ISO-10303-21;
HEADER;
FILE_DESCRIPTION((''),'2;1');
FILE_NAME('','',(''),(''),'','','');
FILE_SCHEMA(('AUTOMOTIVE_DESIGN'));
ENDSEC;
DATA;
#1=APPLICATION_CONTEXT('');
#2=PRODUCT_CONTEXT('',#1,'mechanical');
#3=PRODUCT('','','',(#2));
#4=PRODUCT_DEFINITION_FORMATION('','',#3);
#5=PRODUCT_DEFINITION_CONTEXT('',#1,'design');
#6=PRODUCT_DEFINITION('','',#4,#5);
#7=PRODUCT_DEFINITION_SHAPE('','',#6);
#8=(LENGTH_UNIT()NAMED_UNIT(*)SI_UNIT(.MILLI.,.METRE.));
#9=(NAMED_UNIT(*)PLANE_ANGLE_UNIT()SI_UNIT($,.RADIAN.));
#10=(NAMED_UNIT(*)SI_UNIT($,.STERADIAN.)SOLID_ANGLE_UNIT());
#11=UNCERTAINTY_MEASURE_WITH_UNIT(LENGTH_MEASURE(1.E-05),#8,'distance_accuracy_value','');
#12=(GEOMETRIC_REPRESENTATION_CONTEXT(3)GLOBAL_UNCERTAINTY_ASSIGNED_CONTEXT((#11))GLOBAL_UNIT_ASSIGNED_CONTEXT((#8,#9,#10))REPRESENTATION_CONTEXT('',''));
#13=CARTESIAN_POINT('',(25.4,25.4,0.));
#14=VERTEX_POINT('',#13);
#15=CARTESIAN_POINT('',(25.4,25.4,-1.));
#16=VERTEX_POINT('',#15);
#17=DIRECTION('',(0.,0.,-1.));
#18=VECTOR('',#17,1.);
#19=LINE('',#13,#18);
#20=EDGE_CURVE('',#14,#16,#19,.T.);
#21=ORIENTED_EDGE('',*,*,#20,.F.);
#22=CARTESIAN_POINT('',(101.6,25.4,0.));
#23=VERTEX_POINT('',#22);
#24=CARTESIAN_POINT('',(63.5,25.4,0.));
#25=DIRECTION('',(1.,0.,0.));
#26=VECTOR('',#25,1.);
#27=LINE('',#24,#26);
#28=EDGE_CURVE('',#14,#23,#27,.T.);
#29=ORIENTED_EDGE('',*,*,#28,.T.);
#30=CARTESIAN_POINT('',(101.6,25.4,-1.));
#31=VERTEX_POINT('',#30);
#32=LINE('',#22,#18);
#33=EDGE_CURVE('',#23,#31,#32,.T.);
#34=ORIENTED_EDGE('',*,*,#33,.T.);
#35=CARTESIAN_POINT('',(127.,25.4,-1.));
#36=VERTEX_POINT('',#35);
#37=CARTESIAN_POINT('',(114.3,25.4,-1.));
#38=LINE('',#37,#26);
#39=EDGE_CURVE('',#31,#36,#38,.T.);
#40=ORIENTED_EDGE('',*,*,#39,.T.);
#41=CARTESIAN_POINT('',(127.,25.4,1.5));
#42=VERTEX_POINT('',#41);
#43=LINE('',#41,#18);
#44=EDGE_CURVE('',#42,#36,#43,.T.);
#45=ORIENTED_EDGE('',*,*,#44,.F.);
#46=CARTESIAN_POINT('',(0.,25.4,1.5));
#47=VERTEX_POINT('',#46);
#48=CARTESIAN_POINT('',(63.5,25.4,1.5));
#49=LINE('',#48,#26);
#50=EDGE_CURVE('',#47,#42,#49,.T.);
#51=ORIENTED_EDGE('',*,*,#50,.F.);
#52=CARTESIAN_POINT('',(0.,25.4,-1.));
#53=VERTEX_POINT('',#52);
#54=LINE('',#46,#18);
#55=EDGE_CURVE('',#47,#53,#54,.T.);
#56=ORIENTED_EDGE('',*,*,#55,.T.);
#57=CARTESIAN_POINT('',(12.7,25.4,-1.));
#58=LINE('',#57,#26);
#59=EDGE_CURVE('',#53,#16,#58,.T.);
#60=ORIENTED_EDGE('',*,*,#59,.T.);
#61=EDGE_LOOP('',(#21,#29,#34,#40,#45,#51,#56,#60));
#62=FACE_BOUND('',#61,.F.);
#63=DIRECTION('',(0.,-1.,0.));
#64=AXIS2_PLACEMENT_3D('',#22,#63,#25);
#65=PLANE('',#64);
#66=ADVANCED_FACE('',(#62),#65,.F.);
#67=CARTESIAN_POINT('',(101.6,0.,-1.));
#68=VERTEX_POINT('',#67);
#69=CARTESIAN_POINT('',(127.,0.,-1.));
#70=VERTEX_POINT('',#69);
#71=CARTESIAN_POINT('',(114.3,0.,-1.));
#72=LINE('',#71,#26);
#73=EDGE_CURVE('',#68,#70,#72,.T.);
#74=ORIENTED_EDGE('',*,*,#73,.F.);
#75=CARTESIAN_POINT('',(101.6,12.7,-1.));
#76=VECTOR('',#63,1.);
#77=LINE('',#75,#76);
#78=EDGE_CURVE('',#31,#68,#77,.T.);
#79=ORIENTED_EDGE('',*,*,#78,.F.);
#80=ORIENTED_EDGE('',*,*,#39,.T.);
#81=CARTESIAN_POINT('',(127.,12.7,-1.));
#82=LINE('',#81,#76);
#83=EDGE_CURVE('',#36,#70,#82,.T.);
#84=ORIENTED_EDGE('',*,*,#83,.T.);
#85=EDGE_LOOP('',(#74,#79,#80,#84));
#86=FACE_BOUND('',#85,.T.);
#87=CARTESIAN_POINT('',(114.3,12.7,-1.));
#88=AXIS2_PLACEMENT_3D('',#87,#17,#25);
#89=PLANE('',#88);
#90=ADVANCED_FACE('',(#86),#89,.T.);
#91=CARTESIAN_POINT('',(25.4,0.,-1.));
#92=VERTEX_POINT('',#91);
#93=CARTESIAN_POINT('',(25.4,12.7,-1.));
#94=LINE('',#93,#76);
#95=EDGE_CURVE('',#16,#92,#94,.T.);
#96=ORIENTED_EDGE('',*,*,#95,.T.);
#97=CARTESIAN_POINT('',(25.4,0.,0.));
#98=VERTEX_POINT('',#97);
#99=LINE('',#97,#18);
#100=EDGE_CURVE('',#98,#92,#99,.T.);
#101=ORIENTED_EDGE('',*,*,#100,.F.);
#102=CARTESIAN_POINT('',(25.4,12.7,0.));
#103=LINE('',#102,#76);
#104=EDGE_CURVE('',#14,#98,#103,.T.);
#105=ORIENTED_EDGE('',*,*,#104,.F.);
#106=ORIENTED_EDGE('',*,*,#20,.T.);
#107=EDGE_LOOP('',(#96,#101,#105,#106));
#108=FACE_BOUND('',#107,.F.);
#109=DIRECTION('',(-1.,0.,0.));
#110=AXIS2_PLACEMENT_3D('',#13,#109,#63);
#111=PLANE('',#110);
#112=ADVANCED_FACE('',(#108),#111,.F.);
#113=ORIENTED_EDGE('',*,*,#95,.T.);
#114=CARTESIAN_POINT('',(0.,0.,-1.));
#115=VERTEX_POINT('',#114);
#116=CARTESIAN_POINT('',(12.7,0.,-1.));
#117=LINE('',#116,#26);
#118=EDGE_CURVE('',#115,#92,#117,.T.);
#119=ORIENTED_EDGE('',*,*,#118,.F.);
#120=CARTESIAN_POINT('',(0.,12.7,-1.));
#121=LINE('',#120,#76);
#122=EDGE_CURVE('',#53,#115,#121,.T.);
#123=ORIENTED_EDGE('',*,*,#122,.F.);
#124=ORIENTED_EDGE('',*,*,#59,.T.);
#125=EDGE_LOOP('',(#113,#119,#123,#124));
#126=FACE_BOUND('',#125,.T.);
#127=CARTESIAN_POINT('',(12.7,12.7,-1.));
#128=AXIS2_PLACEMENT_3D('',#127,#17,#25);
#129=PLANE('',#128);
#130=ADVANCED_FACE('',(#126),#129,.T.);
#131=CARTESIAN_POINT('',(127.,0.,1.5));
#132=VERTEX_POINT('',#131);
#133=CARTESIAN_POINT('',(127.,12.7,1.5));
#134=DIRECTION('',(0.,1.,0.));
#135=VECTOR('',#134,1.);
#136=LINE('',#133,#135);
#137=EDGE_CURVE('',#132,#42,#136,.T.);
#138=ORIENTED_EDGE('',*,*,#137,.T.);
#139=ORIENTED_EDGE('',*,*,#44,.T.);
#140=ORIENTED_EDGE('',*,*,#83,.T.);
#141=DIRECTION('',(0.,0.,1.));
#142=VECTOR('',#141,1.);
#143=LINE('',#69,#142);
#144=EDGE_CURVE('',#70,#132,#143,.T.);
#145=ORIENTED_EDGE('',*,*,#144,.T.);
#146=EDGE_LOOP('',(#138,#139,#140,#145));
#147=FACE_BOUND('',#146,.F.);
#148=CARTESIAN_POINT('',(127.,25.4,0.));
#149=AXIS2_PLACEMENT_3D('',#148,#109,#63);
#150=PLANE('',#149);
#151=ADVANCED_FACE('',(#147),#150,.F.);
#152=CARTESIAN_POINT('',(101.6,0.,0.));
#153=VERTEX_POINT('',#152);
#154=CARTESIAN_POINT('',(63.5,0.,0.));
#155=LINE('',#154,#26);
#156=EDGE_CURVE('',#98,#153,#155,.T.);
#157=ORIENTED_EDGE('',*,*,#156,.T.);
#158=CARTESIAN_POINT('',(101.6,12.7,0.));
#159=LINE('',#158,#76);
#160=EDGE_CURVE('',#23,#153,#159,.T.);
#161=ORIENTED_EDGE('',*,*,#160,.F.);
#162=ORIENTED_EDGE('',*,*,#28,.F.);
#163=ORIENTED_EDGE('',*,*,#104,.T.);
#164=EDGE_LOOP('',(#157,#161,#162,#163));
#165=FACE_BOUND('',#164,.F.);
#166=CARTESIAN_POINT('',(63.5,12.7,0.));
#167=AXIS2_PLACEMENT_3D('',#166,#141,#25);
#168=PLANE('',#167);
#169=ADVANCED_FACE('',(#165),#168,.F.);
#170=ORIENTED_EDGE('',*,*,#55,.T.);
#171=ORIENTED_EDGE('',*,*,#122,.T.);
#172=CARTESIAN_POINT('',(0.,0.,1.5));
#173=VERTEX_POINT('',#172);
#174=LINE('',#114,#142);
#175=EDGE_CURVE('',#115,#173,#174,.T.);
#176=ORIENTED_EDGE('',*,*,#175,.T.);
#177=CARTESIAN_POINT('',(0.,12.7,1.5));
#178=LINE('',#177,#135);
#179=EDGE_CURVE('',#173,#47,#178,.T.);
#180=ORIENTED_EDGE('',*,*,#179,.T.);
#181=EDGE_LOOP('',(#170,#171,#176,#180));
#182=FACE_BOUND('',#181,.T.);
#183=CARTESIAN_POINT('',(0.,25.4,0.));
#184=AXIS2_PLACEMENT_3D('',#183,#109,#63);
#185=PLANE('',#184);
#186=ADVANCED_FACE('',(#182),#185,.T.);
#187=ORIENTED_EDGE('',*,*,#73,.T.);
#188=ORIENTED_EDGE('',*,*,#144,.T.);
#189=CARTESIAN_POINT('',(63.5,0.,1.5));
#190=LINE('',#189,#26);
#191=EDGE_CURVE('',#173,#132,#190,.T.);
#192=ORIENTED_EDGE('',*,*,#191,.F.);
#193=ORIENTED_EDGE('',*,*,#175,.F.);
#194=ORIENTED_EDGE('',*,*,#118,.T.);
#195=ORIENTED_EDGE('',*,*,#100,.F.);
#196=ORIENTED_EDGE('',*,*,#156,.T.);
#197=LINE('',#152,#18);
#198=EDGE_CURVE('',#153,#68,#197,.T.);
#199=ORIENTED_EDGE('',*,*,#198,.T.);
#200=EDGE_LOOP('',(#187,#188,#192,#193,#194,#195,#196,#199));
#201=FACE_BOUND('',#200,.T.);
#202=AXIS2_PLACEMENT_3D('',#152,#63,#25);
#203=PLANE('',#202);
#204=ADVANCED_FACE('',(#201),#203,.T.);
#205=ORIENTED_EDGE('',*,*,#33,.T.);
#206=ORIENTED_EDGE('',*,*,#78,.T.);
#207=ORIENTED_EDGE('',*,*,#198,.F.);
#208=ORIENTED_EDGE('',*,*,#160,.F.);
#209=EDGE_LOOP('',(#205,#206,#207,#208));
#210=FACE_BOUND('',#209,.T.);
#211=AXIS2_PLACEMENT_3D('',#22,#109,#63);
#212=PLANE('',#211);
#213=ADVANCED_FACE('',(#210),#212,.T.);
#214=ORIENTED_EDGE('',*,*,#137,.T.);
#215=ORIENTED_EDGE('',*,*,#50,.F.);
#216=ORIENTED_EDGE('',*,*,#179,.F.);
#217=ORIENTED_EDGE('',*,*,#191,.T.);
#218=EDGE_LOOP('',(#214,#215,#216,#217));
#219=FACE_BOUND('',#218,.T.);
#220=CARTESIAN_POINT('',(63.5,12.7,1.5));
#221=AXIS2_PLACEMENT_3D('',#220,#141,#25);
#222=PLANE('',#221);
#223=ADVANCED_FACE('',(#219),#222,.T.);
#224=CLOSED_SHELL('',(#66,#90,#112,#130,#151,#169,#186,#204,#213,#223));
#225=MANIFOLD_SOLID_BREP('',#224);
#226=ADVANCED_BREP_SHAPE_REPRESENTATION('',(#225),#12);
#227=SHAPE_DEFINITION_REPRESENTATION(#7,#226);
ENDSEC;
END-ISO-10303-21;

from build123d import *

# Parameters (mm, degrees)
F0_W     = 127
F0_H     = 25.4
F1_DEPTH = 1.5
F2_W     = 25.4
F2_H     = 25.4
F3_DEPTH = 1
F4_W     = 25.4
F4_H     = 25.4
F5_DEPTH = 1


with BuildPart() as f1:
    # F0 (on Top) → F1 (new body)
    with BuildSketch(Plane.XY):
        with Locations((63.5, 12.7)):
            Rectangle(F0_W, F0_H)
    extrude(amount=F1_DEPTH)

    # F2 (on face) → F3 (join)
    with BuildSketch(Plane(origin=(0, 0, 0), x_dir=(1, 0, 0), z_dir=(0, 0, -1))):
        with Locations((12.7, -12.7)):
            Rectangle(F2_W, F2_H)
    extrude(amount=F3_DEPTH)

    # F4 (on face) → F5 (join)
    with BuildSketch(Plane(origin=(0, 0, 0), x_dir=(1, 0, 0), z_dir=(0, 0, -1))):
        with Locations((114.3, -12.7)):
            Rectangle(F4_W, F4_H)
    extrude(amount=F5_DEPTH)


solid = f1.part
